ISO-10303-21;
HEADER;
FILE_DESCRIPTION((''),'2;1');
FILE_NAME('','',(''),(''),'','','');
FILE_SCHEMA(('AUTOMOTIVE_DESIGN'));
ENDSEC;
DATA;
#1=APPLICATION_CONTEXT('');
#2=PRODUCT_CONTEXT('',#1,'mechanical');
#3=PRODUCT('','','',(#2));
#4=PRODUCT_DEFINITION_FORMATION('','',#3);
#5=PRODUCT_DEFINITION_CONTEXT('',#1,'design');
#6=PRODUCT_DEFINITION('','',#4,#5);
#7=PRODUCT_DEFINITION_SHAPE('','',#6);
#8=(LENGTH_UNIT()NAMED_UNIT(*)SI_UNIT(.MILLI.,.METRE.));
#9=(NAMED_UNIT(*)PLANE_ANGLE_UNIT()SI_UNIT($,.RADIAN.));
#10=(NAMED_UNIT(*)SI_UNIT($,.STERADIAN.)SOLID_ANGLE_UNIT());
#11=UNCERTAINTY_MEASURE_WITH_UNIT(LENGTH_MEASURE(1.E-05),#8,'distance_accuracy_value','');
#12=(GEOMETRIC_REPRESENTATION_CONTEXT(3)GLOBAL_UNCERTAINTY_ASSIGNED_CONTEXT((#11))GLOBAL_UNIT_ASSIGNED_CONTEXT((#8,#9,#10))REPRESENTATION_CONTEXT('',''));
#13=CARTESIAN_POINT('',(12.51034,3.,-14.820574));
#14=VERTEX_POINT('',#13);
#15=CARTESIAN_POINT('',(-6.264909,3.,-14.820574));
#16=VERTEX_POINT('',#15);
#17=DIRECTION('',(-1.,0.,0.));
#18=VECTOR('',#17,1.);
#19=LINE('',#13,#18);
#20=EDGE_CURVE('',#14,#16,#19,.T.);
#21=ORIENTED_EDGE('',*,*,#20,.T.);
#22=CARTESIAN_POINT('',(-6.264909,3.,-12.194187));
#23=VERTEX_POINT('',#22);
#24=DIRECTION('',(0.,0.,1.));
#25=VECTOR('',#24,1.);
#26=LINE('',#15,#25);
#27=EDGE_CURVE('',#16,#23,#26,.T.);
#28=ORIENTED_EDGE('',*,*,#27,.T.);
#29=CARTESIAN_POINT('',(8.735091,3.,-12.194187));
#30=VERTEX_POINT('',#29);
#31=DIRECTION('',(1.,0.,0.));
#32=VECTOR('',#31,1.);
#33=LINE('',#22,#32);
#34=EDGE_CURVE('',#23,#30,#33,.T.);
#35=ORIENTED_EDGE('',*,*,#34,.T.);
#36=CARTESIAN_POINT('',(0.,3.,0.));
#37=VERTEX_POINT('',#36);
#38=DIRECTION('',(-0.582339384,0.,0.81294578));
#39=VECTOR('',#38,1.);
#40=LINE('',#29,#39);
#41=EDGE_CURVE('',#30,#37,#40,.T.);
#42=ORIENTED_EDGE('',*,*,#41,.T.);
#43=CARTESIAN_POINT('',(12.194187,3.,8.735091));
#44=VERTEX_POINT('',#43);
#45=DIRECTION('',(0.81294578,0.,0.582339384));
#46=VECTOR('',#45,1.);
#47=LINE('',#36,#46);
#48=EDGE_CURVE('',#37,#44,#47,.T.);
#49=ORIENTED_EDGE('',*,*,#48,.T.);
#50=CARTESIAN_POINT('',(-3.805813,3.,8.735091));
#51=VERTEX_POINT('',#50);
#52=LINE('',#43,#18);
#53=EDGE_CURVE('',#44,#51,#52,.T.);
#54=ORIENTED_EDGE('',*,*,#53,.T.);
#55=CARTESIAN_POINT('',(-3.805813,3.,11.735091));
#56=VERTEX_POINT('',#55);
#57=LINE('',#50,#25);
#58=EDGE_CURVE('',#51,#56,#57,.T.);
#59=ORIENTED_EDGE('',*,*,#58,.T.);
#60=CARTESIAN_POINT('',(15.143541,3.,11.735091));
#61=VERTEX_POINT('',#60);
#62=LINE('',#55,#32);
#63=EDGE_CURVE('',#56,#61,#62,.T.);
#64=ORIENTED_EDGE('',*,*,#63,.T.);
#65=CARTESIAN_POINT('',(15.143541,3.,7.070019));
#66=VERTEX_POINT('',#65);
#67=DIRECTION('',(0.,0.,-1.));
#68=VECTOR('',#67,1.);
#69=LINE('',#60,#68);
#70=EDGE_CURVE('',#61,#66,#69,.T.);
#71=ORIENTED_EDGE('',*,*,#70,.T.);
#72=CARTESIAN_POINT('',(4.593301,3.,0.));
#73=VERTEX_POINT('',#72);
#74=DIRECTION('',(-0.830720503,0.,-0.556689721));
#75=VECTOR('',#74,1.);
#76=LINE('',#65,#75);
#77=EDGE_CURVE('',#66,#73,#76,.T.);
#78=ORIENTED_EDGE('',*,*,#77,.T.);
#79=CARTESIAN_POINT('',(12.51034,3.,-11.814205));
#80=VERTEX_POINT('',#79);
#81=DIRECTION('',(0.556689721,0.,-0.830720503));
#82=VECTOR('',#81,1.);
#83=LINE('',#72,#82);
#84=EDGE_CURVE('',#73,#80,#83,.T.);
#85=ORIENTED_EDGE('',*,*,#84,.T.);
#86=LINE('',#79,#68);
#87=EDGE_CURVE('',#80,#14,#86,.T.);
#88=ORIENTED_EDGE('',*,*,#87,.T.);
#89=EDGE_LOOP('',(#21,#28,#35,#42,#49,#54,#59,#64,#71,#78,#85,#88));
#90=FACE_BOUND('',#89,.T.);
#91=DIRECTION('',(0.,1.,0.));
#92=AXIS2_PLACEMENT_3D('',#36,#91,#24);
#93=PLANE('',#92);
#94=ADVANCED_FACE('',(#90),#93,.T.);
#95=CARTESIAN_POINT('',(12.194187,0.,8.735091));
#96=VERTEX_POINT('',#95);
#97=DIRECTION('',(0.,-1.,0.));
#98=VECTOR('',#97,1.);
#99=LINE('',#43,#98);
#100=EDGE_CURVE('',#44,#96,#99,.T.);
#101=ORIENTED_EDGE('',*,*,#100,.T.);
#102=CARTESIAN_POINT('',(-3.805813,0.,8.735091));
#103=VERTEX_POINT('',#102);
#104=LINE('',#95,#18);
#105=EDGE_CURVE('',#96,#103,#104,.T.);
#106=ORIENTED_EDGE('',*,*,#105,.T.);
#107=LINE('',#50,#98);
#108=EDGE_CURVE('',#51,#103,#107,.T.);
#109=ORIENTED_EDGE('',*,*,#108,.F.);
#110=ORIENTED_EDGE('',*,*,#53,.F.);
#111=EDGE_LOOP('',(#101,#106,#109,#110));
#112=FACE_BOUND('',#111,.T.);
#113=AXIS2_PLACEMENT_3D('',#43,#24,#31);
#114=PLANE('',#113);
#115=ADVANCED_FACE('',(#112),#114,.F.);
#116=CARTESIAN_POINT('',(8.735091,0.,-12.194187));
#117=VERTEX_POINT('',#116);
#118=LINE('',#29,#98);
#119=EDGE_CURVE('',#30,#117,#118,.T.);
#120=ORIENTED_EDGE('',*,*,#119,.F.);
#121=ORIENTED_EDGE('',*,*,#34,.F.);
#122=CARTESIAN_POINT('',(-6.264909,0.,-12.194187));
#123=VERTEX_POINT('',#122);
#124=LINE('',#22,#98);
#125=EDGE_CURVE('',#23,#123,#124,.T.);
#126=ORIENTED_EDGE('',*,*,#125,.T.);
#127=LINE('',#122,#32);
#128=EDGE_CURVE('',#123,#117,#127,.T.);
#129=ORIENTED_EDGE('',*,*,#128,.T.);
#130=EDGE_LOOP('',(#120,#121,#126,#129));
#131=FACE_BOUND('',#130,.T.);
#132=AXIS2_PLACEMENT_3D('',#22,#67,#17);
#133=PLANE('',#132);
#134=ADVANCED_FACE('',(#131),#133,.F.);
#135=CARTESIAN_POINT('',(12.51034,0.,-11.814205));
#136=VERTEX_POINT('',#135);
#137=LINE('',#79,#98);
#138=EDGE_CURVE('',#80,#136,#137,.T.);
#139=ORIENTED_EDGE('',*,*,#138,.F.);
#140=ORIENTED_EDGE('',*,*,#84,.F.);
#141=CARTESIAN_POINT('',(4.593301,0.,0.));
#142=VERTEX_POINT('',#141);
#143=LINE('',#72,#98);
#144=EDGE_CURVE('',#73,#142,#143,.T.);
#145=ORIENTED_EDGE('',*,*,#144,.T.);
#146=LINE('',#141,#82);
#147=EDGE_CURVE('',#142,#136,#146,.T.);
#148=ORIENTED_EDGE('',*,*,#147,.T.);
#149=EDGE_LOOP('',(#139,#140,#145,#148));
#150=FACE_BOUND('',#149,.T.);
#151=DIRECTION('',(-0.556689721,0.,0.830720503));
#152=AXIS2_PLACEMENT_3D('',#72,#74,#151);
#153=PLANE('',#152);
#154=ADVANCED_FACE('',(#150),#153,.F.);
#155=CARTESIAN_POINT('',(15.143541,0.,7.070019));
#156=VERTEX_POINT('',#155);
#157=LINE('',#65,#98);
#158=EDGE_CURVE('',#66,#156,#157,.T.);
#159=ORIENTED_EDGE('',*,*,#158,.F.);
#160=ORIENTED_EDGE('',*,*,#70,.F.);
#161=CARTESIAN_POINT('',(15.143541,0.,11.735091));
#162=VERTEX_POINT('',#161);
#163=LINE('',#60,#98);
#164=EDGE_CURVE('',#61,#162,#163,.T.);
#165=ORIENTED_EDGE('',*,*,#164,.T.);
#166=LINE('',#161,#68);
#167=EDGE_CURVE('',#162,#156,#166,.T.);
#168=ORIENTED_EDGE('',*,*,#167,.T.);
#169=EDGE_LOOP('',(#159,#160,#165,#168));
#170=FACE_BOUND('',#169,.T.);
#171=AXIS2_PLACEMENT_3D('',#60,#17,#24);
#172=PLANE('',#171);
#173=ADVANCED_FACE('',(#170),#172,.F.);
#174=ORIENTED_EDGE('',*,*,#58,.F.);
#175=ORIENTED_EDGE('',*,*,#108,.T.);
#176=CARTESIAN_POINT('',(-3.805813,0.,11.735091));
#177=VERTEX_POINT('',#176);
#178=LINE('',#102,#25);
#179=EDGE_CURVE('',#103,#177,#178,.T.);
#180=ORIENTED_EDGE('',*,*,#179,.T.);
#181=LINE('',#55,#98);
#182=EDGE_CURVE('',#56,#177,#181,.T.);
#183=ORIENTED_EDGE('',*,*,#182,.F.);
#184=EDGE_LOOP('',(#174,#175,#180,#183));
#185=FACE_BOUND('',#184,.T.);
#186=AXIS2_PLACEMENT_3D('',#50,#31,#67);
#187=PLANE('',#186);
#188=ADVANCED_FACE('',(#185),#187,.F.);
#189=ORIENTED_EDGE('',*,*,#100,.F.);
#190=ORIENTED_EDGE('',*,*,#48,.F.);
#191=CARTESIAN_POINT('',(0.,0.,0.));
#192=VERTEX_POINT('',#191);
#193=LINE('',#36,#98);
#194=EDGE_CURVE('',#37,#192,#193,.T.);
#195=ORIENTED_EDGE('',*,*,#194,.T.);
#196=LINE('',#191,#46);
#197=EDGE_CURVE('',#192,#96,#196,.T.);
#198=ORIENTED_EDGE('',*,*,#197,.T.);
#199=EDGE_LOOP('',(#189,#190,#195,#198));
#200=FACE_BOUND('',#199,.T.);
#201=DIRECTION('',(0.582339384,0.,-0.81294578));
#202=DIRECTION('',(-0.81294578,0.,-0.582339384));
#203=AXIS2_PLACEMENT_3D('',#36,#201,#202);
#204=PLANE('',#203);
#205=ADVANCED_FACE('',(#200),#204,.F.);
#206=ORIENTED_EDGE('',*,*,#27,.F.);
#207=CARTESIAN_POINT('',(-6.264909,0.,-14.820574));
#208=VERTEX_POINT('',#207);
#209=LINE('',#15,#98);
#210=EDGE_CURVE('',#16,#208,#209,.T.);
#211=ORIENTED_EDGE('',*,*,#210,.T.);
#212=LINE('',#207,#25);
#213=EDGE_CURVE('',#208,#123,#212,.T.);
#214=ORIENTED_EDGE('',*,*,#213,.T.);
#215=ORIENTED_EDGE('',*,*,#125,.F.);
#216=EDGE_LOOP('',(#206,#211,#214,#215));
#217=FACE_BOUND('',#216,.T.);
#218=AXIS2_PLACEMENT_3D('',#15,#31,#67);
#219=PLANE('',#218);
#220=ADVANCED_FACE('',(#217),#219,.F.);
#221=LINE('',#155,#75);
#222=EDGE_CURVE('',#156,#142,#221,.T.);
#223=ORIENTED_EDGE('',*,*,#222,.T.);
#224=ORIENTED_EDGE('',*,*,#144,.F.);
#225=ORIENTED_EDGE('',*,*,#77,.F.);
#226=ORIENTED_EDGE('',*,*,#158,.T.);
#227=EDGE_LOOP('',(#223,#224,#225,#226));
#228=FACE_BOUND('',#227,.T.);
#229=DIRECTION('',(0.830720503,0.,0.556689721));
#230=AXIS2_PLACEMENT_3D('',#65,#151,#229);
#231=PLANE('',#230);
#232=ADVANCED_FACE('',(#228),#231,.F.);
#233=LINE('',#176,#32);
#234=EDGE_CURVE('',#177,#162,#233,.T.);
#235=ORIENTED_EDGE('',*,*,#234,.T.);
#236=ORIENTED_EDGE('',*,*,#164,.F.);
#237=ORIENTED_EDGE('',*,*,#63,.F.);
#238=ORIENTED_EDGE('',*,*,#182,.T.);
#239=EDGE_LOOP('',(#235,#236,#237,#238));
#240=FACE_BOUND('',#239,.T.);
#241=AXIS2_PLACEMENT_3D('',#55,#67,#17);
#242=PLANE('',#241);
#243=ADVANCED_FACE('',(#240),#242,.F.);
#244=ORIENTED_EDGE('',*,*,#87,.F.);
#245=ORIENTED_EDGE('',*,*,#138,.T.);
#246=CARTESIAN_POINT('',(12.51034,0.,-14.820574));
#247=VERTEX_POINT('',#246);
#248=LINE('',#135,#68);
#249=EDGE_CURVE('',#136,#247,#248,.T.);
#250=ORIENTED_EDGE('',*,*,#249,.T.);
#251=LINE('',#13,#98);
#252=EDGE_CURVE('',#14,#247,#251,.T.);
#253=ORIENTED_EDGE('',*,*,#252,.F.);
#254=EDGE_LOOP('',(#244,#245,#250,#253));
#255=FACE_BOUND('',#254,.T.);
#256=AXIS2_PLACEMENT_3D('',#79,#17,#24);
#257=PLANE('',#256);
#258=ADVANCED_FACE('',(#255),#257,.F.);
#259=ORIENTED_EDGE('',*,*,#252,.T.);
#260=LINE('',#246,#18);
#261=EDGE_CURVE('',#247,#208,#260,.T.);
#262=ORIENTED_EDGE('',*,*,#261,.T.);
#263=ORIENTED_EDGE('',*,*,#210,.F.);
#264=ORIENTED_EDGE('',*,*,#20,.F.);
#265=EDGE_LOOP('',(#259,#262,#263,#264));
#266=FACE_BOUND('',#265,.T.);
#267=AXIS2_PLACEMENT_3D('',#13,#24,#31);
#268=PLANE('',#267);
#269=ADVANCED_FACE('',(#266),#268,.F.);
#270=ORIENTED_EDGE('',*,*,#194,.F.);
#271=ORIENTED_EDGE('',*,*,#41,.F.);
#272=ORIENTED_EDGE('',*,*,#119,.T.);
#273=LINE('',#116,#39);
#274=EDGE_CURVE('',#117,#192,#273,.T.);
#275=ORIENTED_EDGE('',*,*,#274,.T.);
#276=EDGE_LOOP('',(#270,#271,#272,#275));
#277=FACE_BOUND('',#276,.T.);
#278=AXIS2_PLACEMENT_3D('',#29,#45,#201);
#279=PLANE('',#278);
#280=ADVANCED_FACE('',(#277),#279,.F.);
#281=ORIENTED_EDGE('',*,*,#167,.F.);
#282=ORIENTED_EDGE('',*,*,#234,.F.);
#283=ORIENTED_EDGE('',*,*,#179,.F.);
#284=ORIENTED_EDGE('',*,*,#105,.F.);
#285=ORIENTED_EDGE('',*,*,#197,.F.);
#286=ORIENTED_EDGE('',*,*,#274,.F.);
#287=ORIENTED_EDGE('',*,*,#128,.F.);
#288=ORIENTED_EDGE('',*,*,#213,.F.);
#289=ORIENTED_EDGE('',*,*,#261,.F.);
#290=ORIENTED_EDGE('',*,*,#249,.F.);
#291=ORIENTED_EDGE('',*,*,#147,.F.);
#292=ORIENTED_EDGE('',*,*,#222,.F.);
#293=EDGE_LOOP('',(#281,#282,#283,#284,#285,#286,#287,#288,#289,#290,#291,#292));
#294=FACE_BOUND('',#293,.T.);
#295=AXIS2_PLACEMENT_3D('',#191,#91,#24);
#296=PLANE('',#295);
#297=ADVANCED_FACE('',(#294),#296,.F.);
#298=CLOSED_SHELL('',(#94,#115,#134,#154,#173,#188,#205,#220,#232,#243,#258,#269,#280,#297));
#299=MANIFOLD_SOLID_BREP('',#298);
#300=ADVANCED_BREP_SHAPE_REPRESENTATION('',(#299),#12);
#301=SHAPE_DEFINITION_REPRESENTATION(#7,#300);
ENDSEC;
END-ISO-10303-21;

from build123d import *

# Parameters (mm, degrees)
BOSS_EXTRUDE1_DEPTH = 3


with BuildPart() as part:
    # Sketch1 → Boss-Extrude1 (new body)
    with BuildSketch(Plane(origin=(0, 0, 0), x_dir=(1, 0, 0), z_dir=(0, 1, 0))):
        Polygon((-6.264909238, 12.194186704), (8.735090762, 12.194186704), (0, 0), (12.194186704, -8.735090762), (-3.805813296, -8.735090762), (-3.805813296, -11.735090762), (15.14354067, -11.735090762), (15.14354067, -7.070018992), (4.593301435, 0), (12.510340003, 11.814204603), (12.510340003, 14.820574163), (-6.264909238, 14.820574163), align=None)
    extrude(amount=BOSS_EXTRUDE1_DEPTH)


solid = part.part
